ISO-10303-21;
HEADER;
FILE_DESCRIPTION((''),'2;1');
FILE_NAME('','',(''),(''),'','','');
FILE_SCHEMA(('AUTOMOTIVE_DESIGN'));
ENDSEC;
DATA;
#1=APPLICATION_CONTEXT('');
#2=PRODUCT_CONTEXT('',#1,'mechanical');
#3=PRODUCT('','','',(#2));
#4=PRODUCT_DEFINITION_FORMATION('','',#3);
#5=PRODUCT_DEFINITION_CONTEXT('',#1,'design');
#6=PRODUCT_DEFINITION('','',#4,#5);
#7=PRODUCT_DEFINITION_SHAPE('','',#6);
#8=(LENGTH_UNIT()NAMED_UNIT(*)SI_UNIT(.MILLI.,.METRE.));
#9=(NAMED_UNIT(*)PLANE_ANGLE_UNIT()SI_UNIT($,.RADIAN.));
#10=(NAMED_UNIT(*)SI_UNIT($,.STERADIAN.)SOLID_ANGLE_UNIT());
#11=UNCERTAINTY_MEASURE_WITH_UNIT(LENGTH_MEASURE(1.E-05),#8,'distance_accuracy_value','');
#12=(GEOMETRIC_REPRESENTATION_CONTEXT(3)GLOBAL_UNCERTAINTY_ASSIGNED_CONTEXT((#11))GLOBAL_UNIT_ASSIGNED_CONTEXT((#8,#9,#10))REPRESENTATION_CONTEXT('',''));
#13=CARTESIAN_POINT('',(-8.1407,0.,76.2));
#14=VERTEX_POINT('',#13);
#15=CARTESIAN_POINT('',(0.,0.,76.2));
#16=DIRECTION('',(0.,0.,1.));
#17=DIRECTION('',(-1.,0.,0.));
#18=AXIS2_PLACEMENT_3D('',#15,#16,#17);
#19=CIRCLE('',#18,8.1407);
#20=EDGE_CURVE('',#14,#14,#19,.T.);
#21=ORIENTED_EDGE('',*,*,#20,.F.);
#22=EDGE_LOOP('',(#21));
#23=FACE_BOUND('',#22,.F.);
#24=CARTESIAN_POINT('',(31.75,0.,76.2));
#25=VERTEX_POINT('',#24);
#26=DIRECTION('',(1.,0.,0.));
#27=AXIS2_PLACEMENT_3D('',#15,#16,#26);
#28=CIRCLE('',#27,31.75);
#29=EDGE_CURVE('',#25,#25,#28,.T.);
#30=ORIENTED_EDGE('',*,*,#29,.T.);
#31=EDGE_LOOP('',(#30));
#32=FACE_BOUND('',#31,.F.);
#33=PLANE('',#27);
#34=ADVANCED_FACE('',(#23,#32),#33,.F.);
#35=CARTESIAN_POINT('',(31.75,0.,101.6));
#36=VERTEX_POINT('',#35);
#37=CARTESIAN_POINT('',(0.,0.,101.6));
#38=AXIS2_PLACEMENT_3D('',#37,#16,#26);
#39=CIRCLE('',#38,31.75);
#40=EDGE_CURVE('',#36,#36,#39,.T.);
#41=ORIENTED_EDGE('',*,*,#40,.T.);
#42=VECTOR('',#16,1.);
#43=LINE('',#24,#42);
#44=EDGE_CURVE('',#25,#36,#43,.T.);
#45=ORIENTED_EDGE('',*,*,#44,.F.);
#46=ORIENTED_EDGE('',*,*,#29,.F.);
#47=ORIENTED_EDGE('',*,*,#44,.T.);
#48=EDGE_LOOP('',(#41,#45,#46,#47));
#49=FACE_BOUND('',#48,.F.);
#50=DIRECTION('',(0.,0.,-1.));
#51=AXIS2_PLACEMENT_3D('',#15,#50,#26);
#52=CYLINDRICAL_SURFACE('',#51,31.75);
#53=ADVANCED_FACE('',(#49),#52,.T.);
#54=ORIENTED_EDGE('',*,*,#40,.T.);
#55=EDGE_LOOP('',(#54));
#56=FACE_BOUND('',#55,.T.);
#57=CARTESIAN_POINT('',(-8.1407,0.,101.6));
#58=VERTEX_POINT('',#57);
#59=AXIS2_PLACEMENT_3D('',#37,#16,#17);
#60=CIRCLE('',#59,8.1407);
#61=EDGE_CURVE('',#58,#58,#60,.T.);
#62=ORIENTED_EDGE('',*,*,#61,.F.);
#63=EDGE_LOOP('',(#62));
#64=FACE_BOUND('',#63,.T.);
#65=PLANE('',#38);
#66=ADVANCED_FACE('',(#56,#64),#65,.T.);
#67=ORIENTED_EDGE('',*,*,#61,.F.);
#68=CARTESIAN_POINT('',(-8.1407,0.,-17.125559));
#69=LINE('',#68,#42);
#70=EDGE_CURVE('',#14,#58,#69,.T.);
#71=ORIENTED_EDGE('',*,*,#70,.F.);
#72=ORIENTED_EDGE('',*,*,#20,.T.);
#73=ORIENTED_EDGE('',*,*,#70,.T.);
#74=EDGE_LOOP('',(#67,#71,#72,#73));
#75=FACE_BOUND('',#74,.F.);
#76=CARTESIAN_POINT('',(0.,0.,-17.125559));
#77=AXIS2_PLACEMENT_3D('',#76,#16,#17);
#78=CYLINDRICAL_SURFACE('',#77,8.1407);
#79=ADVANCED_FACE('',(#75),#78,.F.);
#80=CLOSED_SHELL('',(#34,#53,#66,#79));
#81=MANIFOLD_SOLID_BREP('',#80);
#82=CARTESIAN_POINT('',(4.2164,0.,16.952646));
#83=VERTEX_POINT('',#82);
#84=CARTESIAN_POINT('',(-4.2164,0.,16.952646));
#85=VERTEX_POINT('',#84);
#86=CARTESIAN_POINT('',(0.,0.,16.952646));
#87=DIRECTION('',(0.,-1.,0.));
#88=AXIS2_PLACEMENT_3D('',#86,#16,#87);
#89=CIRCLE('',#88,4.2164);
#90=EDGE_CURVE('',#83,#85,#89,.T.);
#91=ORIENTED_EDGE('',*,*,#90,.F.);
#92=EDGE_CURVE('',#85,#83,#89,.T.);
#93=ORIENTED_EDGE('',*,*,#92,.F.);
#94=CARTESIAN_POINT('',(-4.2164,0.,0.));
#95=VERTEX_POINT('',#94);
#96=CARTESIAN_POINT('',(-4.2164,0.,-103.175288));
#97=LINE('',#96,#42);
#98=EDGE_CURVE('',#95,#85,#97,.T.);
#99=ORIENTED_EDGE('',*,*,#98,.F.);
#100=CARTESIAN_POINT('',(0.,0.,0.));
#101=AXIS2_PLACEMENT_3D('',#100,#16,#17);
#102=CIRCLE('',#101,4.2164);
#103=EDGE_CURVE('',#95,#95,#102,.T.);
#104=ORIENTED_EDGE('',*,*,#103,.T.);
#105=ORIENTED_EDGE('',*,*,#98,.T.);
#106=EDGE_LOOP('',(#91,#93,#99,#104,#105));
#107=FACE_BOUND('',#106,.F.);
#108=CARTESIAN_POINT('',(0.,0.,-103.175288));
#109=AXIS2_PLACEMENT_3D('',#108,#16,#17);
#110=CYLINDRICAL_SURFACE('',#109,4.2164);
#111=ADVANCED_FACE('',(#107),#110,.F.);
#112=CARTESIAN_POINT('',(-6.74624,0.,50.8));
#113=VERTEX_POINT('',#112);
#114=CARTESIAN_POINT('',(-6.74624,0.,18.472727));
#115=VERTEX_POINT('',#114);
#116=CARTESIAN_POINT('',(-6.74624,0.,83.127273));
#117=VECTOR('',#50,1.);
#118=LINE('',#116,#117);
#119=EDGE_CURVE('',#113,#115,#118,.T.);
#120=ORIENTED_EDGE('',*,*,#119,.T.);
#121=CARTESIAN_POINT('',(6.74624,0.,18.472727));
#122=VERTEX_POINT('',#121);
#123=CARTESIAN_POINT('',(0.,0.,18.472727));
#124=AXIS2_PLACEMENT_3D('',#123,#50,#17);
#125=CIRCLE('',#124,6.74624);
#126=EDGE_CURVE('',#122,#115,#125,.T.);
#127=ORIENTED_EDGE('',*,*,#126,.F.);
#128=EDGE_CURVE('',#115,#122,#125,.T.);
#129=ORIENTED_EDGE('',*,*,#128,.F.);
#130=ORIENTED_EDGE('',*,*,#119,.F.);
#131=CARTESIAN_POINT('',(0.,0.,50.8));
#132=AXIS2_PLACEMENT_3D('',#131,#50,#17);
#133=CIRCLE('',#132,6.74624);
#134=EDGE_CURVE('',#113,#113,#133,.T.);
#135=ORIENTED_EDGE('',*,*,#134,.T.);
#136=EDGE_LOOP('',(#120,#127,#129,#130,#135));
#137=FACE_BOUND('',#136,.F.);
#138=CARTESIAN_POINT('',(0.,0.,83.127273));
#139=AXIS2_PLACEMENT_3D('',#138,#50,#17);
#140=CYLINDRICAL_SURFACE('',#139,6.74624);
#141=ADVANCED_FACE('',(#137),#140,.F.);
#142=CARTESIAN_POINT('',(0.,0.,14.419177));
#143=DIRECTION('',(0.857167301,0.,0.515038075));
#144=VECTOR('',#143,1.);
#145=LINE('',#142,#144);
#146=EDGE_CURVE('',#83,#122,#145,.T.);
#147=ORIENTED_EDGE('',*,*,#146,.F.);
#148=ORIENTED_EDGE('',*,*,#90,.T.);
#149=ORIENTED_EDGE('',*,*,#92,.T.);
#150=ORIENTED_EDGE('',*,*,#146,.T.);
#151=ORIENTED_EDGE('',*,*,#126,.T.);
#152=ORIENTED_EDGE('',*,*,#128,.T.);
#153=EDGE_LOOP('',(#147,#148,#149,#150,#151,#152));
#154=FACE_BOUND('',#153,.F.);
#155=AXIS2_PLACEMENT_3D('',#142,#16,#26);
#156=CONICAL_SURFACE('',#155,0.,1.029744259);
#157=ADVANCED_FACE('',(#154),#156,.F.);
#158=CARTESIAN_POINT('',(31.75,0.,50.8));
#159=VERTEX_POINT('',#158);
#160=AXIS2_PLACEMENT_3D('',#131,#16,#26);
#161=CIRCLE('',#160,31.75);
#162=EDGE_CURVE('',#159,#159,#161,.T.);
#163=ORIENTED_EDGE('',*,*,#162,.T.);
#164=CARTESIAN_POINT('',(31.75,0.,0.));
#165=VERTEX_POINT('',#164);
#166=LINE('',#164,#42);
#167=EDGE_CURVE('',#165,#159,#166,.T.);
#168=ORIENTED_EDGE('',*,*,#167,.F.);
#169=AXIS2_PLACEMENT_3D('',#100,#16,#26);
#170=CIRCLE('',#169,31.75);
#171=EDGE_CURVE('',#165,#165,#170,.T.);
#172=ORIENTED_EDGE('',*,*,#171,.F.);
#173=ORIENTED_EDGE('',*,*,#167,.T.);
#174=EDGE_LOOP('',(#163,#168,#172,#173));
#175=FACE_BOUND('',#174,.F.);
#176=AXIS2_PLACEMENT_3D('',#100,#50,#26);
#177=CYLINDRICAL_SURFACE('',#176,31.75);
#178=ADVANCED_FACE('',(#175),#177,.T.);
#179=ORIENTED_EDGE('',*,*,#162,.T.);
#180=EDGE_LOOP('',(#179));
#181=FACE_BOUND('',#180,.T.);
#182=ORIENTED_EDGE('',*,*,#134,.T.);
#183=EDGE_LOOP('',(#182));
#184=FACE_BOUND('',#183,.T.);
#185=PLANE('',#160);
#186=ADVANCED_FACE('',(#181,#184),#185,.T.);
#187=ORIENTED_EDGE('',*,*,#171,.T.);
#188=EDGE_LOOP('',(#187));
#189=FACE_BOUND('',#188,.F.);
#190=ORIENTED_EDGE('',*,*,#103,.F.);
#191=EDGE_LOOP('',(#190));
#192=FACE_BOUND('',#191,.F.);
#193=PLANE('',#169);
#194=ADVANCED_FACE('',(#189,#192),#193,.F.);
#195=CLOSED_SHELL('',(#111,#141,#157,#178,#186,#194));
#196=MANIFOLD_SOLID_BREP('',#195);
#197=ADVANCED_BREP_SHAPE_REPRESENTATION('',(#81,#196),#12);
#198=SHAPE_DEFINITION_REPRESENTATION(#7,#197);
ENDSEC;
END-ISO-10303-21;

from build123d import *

# Parameters (mm, degrees)
F0_R     = 31.75
F1_DEPTH = 50.8
F2_D     = 8.4328
F4_D     = 13.49248
F4_DEPTH = 32.3272727273
F4_TIP   = 4.0535499425
F6_R     = 31.75
F7_DEPTH = 25.4
F8_D     = 16.2814


with BuildPart() as f1:
    # F0 (on Top) → F1 (new body)
    with BuildSketch(Plane.XY):
        Circle(F0_R)
    extrude(amount=F1_DEPTH)

    # F2 (through all)
    with Locations(Plane(origin=(0, 0, 0), x_dir=(1, 0, 0), z_dir=(0, 0, -1))):
        with Locations((0, 0)):
            Hole(F2_D / 2)

    # F4
    with Locations(Plane.XY.offset(50.8)):
        with Locations((0, 0)):
            Hole(F4_D / 2, depth=F4_DEPTH)
            with Locations((0, 0, -(F4_DEPTH + F4_TIP / 2))):  # 118° drill point
                Cone(0, F4_D / 2, F4_TIP, mode=Mode.SUBTRACT)


with BuildPart() as f7:
    # F6 (on offset) → F7 (new body)
    with BuildSketch(Plane.XY.offset(76.2)):
        Circle(F6_R)
    extrude(amount=F7_DEPTH)

    # F8 (through all)
    with Locations(Plane(origin=(0, 0, 76.2), x_dir=(1, 0, 0), z_dir=(0, 0, -1))):
        with Locations((0, 0)):
            Hole(F8_D / 2)


solid = Compound([f1.part, f7.part])
